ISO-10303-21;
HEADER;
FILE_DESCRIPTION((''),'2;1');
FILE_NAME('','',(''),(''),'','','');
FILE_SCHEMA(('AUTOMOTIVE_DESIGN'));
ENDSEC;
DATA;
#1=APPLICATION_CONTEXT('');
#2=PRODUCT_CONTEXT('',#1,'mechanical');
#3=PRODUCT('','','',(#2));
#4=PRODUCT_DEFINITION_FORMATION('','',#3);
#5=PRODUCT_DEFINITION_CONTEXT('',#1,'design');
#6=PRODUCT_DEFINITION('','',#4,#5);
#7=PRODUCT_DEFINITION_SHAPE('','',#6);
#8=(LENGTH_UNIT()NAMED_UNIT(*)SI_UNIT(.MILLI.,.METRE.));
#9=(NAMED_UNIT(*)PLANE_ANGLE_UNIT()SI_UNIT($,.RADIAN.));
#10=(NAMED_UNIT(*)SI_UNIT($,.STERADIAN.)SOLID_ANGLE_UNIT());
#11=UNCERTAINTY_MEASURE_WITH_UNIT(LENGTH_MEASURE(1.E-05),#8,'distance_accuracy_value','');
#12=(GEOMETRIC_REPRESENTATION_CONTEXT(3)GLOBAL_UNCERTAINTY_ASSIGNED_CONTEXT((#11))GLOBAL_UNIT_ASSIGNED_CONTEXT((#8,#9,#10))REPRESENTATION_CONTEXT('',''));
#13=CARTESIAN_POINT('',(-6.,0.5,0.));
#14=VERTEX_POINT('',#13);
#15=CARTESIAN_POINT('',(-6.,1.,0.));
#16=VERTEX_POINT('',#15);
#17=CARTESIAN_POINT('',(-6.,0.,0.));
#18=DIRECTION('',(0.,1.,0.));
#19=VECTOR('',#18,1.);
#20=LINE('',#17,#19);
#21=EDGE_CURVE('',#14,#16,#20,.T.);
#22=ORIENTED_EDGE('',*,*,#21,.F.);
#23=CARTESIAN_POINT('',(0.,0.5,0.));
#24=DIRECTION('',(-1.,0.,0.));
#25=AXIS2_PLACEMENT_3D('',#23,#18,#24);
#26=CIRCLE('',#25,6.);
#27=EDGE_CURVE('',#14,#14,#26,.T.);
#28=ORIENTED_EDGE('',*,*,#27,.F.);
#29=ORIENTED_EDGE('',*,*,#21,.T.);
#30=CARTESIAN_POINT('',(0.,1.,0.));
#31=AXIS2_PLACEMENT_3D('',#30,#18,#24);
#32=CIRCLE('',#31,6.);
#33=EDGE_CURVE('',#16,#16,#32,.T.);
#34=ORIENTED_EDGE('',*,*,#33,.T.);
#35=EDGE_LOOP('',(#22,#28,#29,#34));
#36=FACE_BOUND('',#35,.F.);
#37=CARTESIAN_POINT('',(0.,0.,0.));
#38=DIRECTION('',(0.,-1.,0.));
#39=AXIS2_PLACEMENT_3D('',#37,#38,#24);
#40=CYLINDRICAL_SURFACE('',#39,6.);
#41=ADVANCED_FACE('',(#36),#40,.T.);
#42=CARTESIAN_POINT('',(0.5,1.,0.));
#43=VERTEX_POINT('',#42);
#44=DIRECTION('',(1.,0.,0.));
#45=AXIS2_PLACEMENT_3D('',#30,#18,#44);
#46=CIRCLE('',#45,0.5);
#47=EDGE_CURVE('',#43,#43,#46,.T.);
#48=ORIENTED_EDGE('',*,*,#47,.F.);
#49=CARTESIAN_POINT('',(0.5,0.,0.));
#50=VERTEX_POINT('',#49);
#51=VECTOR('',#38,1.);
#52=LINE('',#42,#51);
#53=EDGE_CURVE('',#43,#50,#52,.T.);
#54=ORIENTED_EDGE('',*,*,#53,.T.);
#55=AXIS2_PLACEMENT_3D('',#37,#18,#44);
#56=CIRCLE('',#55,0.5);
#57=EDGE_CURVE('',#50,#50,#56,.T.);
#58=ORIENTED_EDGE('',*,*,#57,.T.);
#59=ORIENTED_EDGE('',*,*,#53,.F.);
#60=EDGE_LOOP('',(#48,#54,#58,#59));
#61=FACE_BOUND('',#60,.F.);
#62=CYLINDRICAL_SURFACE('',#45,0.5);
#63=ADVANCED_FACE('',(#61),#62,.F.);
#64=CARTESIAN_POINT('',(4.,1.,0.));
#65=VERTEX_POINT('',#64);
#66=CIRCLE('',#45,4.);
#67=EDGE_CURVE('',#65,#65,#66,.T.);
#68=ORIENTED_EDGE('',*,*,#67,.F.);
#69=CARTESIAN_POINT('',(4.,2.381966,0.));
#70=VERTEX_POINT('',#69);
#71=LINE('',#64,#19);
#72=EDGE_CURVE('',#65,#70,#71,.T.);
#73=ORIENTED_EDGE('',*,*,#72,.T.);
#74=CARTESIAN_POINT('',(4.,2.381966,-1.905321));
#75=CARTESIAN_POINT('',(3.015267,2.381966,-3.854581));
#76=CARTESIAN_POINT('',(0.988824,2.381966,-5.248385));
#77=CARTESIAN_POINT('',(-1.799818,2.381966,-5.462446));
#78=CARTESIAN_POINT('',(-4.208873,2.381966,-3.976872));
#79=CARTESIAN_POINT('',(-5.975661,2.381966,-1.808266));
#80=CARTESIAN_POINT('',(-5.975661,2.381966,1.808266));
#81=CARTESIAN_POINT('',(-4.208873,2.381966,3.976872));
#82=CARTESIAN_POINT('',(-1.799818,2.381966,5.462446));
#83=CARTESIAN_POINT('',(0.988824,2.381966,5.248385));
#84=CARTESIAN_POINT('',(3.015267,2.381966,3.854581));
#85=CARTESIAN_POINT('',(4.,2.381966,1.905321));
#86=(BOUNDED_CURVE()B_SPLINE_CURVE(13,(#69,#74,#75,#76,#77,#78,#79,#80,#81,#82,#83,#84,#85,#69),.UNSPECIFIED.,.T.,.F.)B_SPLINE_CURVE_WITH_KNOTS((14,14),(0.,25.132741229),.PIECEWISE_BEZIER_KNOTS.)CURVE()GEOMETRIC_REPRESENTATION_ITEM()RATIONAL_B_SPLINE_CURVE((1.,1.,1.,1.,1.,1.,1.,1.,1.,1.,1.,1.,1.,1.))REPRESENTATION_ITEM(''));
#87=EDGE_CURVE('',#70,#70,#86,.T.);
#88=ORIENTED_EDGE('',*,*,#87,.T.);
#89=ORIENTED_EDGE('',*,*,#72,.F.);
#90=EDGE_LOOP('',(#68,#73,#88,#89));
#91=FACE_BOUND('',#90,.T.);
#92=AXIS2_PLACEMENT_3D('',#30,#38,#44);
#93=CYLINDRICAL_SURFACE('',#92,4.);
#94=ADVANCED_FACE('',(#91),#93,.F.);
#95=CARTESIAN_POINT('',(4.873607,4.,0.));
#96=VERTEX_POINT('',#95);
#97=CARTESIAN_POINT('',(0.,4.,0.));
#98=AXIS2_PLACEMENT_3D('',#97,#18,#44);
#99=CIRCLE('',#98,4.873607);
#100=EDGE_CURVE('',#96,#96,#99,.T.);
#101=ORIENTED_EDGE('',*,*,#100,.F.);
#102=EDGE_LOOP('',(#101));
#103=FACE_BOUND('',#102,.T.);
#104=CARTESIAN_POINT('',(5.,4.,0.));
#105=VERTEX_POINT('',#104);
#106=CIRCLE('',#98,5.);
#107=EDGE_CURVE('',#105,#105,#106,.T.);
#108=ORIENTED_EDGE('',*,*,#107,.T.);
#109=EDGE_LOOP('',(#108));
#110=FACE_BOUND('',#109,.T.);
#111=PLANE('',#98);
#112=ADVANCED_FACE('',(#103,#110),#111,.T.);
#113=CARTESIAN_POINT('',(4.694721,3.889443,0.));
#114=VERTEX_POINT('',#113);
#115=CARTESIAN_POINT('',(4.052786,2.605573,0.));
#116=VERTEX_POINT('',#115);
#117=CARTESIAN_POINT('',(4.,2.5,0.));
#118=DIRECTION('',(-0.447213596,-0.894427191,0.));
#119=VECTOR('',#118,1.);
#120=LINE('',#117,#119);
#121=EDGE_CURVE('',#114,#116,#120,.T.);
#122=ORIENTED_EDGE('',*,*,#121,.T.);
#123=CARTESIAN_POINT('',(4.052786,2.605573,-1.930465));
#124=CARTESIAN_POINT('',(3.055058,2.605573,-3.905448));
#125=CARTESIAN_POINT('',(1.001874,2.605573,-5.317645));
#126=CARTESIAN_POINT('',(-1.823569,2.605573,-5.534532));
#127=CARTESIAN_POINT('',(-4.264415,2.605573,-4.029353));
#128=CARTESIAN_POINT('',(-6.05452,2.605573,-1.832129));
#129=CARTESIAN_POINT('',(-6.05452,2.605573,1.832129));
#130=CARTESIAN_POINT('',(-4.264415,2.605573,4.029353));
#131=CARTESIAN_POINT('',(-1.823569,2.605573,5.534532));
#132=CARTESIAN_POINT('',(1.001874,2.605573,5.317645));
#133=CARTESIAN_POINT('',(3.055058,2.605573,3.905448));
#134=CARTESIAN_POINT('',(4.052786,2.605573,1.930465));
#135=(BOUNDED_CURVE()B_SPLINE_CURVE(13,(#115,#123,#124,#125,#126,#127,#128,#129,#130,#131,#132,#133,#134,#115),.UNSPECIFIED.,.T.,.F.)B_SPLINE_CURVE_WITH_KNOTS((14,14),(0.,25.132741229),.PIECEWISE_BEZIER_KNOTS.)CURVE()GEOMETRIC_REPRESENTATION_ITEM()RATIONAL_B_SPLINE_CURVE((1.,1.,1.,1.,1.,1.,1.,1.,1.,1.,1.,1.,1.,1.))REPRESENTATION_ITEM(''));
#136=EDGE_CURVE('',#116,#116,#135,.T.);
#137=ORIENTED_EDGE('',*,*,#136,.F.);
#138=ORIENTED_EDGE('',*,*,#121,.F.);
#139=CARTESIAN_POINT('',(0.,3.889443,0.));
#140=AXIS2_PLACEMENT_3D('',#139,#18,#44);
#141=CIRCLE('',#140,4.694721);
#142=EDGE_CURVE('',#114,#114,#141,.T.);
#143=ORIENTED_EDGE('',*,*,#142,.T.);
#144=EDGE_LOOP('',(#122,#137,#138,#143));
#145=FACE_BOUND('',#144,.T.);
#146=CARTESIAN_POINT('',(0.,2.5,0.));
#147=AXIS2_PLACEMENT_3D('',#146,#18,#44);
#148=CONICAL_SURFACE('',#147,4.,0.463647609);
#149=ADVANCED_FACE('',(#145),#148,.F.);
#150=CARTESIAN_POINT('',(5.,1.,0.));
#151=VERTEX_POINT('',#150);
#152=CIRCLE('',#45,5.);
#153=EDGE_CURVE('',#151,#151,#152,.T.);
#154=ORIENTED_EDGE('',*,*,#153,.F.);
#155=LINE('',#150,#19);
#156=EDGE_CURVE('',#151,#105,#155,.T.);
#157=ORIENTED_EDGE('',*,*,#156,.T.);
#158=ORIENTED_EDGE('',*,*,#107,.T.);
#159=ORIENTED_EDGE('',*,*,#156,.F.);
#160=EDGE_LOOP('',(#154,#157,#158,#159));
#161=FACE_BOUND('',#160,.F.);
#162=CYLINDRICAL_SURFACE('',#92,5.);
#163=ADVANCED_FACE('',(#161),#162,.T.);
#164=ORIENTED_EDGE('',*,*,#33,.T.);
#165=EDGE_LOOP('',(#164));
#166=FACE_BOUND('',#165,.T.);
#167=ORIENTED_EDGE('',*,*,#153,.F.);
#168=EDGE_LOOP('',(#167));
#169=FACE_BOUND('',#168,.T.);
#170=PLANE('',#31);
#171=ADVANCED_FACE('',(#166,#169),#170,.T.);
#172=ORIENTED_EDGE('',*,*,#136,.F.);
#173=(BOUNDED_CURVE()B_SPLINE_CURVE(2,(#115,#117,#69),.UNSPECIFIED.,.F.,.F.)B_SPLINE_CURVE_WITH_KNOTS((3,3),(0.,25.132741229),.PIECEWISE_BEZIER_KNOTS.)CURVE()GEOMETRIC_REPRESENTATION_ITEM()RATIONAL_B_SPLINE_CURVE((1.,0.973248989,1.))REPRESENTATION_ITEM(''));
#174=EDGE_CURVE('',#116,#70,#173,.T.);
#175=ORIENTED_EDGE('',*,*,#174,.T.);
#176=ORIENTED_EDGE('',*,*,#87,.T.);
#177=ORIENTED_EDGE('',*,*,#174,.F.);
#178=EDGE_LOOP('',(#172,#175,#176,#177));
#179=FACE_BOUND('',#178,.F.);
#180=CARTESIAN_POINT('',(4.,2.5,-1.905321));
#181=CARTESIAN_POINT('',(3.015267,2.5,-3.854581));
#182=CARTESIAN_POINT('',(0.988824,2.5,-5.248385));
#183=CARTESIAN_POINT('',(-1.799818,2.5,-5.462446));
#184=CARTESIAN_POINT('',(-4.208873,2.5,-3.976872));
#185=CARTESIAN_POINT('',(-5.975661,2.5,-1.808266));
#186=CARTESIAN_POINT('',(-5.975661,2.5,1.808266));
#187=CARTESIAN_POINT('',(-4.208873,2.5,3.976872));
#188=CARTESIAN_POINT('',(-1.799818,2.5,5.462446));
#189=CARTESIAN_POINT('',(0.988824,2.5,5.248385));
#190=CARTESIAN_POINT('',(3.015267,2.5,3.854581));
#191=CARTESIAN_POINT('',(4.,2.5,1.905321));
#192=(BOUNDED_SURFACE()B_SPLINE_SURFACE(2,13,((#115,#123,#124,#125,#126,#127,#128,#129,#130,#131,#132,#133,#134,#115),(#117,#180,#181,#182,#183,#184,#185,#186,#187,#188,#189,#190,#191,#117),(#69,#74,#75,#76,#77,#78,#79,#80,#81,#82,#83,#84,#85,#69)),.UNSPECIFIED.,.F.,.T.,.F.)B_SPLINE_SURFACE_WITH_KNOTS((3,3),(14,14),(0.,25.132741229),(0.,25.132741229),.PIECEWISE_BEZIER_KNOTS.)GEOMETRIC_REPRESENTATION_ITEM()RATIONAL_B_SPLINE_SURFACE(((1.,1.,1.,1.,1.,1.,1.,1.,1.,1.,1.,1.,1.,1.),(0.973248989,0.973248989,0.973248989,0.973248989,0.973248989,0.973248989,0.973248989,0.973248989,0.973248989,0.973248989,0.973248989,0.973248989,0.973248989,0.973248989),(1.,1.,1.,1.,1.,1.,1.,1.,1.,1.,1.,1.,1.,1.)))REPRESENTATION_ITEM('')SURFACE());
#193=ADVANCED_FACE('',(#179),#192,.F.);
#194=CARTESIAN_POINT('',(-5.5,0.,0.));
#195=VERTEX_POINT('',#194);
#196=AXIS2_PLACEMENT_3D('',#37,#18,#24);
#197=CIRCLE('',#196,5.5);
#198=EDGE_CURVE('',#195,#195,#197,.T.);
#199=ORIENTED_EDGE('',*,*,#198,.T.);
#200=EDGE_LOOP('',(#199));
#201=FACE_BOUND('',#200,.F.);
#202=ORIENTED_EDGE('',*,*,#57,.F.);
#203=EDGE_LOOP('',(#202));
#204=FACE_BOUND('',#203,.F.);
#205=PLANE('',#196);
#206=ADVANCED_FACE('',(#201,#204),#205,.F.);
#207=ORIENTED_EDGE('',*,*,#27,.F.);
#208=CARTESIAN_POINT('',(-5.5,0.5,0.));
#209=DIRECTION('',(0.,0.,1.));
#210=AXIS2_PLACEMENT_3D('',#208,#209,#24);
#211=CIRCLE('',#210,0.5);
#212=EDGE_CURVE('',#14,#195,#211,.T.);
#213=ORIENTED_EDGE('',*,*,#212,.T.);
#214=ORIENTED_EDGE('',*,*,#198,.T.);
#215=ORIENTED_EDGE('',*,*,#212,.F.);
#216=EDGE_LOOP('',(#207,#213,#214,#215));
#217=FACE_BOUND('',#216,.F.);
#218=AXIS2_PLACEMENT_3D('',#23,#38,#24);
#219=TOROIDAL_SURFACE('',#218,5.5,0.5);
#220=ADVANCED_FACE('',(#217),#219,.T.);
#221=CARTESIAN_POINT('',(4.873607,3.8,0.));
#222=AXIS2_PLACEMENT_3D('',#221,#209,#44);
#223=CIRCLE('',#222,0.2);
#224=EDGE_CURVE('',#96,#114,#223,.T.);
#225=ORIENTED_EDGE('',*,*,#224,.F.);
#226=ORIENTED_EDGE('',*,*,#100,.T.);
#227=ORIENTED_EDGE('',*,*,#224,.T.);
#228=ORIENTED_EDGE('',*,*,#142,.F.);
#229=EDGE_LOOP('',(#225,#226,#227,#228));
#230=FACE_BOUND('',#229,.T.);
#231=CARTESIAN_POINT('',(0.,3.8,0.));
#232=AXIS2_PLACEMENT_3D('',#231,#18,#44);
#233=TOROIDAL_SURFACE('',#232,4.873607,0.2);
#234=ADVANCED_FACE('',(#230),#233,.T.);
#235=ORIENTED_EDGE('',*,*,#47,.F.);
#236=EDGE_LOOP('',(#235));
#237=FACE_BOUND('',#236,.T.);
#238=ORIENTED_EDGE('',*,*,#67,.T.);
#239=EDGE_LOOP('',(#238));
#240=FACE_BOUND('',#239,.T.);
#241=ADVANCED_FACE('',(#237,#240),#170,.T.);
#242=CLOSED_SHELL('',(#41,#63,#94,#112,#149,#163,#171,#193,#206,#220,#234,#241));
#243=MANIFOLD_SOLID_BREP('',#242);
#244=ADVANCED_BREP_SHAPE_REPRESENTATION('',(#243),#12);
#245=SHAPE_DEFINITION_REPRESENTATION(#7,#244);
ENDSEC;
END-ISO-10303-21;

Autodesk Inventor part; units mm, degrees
ref_plane "YZ Plane" through (0, 0, 0) normal (1, 0, 0) x (0, 1, 0)
ref_plane "XZ Plane" through (0, 0, 0) normal (0, 1, 0) x (-1, 0, 0)
ref_plane "XY Plane" through (0, 0, 0) normal (0, 0, 1) x (1, 0, 0)
sketch "Sketch1" plane through (0, 0, 0) normal (0, 1, 0) x (-1, 0, 0)
  circle A0 centre (0, 0) radius 6
  dimension "d0" = 12
extrude "Extrusion1" add sketch "Sketch1" along normal blind 1
fillet "Fillet1" radius 0.5 1 edges at (6, 0, 0)
sketch "Sketch2" plane through (0, 1, 0) normal (0, 1, 0) x (1, 0, 0)
  circle A0 centre (0, 0) radius 0.5
  dimension "d4" = 1
extrude "Extrusion2" cut sketch "Sketch2" against normal blind 1
sketch "Sketch3" plane through (0, 1, 0) normal (0, 1, 0) x (1, 0, 0)
  circle A0 centre (0, 0) radius 0.5 projected
  circle A1 centre (0, 0) radius 5
  circle A2 centre (0, 0) radius 4
  dimension "d7" = 10
  dimension "d8" = 8
extrude "Extrusion3" add sketch "Sketch3" along normal blind 3 contours A1
chamfer "Chamfer1" distance 0.75 distance2 1.5 1 edges at (-4, 4, 0) measured on face at (4.5795, 4, 0.7179)
fillet "Fillet2" radius 0.2 1 edges at (-4.75, 4, 0)
fillet "Fillet3" radius 0.5 1 edges at (-4, 2.5, 0)
properties part number "tale"
